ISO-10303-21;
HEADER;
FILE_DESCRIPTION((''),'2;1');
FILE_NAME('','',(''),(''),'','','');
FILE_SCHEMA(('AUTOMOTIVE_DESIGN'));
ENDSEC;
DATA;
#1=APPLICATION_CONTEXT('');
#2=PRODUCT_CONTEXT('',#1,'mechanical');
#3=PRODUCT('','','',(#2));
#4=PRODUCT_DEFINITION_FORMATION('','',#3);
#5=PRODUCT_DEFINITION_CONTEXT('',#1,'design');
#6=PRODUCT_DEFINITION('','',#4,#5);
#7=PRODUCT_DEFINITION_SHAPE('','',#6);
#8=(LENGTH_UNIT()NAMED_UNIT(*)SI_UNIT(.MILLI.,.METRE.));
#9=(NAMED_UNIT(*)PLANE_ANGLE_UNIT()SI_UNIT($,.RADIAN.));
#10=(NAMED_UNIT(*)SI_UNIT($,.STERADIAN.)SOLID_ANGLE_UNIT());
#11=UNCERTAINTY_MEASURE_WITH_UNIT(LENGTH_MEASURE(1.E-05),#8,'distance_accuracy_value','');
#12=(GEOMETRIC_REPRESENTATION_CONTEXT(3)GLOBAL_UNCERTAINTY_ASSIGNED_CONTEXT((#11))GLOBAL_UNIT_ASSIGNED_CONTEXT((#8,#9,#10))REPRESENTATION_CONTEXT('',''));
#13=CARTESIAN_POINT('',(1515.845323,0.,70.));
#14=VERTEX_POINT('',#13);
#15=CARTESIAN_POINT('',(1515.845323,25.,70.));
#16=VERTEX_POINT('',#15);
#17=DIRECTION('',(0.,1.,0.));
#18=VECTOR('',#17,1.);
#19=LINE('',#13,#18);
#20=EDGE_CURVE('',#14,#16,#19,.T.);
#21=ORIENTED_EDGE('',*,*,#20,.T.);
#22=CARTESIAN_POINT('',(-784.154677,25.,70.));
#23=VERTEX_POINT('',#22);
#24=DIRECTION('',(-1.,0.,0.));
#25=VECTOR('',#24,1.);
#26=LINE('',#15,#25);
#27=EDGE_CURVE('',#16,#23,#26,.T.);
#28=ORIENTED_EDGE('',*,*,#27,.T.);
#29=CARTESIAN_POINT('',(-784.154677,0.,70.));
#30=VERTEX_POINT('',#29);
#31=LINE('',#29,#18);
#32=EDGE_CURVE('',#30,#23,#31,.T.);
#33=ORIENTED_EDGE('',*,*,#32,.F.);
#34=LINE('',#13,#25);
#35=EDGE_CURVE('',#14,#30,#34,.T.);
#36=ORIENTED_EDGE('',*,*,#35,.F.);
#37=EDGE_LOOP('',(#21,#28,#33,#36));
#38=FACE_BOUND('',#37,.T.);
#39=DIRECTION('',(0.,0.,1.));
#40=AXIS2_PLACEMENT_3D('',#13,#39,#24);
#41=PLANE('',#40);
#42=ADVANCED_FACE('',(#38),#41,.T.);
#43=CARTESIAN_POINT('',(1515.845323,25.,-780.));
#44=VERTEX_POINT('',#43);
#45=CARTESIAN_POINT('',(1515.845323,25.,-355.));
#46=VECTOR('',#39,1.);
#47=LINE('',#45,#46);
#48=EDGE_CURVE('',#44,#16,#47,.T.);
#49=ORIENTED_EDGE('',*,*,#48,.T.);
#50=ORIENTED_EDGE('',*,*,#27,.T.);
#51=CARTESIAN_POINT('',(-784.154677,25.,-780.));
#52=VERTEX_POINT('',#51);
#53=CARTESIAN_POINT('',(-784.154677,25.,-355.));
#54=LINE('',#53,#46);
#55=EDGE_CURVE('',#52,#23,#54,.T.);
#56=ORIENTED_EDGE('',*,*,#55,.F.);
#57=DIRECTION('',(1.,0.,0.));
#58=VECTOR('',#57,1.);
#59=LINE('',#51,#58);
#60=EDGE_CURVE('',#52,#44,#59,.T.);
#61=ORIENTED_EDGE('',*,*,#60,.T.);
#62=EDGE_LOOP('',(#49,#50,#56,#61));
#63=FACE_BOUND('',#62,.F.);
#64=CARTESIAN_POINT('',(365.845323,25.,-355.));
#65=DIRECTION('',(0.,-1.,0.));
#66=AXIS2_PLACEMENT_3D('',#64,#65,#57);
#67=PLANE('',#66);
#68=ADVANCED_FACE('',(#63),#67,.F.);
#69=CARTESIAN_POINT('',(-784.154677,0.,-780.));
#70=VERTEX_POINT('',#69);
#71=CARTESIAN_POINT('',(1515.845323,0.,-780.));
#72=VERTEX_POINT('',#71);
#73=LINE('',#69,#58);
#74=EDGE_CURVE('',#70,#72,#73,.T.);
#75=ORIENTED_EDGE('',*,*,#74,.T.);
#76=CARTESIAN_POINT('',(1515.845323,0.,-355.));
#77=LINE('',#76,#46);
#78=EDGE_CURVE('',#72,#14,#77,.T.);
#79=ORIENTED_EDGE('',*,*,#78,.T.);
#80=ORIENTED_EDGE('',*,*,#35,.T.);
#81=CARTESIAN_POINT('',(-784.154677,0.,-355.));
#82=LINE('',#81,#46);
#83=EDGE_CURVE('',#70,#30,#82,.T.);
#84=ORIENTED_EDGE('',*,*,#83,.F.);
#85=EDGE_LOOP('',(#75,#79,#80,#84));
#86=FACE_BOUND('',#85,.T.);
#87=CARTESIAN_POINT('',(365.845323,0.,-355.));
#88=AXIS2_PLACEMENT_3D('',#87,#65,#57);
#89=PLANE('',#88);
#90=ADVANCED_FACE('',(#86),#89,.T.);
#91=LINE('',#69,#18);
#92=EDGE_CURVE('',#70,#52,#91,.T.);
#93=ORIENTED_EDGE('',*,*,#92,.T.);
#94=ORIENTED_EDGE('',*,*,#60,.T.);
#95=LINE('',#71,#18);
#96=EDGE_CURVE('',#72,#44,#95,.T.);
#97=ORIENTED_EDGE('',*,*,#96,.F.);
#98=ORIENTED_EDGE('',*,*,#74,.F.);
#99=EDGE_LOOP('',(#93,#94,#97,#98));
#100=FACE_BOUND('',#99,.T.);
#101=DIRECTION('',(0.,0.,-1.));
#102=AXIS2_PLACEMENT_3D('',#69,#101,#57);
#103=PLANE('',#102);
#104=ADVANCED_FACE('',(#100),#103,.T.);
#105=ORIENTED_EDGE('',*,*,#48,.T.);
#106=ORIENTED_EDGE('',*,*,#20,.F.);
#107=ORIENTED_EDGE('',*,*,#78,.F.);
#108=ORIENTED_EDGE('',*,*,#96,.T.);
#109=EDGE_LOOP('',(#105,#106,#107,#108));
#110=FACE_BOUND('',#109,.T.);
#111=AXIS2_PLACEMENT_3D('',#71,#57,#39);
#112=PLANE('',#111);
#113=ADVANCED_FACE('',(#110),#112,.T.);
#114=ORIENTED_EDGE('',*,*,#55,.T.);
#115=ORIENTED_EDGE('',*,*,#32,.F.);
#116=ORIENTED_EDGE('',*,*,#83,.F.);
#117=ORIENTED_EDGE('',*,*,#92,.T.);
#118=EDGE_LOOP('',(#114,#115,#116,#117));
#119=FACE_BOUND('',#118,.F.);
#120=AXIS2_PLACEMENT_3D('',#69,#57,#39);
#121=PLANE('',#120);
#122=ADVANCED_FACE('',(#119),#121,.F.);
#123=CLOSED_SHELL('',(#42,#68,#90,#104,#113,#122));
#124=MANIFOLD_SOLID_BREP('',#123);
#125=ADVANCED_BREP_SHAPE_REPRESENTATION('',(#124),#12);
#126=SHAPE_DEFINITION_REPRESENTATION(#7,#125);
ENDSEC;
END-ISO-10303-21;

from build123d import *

# Parameters (mm, degrees)
F0_W     = 1500
F0_H     = 850
F0_W_2   = 400
F1_DEPTH = 25


with BuildPart() as f1:
    # F0 (on Front) → F1 (new body)
    with BuildSketch(Plane.XZ):
        with Locations((365.845323, -355)):
            Rectangle(F0_W, F0_H)
        with Locations((-584.154677, -355)):
            Rectangle(F0_W_2, F0_H)
        with Locations((1315.845323, -355)):
            Rectangle(F0_W_2, F0_H)
    extrude(amount=-F1_DEPTH)


solid = f1.part
